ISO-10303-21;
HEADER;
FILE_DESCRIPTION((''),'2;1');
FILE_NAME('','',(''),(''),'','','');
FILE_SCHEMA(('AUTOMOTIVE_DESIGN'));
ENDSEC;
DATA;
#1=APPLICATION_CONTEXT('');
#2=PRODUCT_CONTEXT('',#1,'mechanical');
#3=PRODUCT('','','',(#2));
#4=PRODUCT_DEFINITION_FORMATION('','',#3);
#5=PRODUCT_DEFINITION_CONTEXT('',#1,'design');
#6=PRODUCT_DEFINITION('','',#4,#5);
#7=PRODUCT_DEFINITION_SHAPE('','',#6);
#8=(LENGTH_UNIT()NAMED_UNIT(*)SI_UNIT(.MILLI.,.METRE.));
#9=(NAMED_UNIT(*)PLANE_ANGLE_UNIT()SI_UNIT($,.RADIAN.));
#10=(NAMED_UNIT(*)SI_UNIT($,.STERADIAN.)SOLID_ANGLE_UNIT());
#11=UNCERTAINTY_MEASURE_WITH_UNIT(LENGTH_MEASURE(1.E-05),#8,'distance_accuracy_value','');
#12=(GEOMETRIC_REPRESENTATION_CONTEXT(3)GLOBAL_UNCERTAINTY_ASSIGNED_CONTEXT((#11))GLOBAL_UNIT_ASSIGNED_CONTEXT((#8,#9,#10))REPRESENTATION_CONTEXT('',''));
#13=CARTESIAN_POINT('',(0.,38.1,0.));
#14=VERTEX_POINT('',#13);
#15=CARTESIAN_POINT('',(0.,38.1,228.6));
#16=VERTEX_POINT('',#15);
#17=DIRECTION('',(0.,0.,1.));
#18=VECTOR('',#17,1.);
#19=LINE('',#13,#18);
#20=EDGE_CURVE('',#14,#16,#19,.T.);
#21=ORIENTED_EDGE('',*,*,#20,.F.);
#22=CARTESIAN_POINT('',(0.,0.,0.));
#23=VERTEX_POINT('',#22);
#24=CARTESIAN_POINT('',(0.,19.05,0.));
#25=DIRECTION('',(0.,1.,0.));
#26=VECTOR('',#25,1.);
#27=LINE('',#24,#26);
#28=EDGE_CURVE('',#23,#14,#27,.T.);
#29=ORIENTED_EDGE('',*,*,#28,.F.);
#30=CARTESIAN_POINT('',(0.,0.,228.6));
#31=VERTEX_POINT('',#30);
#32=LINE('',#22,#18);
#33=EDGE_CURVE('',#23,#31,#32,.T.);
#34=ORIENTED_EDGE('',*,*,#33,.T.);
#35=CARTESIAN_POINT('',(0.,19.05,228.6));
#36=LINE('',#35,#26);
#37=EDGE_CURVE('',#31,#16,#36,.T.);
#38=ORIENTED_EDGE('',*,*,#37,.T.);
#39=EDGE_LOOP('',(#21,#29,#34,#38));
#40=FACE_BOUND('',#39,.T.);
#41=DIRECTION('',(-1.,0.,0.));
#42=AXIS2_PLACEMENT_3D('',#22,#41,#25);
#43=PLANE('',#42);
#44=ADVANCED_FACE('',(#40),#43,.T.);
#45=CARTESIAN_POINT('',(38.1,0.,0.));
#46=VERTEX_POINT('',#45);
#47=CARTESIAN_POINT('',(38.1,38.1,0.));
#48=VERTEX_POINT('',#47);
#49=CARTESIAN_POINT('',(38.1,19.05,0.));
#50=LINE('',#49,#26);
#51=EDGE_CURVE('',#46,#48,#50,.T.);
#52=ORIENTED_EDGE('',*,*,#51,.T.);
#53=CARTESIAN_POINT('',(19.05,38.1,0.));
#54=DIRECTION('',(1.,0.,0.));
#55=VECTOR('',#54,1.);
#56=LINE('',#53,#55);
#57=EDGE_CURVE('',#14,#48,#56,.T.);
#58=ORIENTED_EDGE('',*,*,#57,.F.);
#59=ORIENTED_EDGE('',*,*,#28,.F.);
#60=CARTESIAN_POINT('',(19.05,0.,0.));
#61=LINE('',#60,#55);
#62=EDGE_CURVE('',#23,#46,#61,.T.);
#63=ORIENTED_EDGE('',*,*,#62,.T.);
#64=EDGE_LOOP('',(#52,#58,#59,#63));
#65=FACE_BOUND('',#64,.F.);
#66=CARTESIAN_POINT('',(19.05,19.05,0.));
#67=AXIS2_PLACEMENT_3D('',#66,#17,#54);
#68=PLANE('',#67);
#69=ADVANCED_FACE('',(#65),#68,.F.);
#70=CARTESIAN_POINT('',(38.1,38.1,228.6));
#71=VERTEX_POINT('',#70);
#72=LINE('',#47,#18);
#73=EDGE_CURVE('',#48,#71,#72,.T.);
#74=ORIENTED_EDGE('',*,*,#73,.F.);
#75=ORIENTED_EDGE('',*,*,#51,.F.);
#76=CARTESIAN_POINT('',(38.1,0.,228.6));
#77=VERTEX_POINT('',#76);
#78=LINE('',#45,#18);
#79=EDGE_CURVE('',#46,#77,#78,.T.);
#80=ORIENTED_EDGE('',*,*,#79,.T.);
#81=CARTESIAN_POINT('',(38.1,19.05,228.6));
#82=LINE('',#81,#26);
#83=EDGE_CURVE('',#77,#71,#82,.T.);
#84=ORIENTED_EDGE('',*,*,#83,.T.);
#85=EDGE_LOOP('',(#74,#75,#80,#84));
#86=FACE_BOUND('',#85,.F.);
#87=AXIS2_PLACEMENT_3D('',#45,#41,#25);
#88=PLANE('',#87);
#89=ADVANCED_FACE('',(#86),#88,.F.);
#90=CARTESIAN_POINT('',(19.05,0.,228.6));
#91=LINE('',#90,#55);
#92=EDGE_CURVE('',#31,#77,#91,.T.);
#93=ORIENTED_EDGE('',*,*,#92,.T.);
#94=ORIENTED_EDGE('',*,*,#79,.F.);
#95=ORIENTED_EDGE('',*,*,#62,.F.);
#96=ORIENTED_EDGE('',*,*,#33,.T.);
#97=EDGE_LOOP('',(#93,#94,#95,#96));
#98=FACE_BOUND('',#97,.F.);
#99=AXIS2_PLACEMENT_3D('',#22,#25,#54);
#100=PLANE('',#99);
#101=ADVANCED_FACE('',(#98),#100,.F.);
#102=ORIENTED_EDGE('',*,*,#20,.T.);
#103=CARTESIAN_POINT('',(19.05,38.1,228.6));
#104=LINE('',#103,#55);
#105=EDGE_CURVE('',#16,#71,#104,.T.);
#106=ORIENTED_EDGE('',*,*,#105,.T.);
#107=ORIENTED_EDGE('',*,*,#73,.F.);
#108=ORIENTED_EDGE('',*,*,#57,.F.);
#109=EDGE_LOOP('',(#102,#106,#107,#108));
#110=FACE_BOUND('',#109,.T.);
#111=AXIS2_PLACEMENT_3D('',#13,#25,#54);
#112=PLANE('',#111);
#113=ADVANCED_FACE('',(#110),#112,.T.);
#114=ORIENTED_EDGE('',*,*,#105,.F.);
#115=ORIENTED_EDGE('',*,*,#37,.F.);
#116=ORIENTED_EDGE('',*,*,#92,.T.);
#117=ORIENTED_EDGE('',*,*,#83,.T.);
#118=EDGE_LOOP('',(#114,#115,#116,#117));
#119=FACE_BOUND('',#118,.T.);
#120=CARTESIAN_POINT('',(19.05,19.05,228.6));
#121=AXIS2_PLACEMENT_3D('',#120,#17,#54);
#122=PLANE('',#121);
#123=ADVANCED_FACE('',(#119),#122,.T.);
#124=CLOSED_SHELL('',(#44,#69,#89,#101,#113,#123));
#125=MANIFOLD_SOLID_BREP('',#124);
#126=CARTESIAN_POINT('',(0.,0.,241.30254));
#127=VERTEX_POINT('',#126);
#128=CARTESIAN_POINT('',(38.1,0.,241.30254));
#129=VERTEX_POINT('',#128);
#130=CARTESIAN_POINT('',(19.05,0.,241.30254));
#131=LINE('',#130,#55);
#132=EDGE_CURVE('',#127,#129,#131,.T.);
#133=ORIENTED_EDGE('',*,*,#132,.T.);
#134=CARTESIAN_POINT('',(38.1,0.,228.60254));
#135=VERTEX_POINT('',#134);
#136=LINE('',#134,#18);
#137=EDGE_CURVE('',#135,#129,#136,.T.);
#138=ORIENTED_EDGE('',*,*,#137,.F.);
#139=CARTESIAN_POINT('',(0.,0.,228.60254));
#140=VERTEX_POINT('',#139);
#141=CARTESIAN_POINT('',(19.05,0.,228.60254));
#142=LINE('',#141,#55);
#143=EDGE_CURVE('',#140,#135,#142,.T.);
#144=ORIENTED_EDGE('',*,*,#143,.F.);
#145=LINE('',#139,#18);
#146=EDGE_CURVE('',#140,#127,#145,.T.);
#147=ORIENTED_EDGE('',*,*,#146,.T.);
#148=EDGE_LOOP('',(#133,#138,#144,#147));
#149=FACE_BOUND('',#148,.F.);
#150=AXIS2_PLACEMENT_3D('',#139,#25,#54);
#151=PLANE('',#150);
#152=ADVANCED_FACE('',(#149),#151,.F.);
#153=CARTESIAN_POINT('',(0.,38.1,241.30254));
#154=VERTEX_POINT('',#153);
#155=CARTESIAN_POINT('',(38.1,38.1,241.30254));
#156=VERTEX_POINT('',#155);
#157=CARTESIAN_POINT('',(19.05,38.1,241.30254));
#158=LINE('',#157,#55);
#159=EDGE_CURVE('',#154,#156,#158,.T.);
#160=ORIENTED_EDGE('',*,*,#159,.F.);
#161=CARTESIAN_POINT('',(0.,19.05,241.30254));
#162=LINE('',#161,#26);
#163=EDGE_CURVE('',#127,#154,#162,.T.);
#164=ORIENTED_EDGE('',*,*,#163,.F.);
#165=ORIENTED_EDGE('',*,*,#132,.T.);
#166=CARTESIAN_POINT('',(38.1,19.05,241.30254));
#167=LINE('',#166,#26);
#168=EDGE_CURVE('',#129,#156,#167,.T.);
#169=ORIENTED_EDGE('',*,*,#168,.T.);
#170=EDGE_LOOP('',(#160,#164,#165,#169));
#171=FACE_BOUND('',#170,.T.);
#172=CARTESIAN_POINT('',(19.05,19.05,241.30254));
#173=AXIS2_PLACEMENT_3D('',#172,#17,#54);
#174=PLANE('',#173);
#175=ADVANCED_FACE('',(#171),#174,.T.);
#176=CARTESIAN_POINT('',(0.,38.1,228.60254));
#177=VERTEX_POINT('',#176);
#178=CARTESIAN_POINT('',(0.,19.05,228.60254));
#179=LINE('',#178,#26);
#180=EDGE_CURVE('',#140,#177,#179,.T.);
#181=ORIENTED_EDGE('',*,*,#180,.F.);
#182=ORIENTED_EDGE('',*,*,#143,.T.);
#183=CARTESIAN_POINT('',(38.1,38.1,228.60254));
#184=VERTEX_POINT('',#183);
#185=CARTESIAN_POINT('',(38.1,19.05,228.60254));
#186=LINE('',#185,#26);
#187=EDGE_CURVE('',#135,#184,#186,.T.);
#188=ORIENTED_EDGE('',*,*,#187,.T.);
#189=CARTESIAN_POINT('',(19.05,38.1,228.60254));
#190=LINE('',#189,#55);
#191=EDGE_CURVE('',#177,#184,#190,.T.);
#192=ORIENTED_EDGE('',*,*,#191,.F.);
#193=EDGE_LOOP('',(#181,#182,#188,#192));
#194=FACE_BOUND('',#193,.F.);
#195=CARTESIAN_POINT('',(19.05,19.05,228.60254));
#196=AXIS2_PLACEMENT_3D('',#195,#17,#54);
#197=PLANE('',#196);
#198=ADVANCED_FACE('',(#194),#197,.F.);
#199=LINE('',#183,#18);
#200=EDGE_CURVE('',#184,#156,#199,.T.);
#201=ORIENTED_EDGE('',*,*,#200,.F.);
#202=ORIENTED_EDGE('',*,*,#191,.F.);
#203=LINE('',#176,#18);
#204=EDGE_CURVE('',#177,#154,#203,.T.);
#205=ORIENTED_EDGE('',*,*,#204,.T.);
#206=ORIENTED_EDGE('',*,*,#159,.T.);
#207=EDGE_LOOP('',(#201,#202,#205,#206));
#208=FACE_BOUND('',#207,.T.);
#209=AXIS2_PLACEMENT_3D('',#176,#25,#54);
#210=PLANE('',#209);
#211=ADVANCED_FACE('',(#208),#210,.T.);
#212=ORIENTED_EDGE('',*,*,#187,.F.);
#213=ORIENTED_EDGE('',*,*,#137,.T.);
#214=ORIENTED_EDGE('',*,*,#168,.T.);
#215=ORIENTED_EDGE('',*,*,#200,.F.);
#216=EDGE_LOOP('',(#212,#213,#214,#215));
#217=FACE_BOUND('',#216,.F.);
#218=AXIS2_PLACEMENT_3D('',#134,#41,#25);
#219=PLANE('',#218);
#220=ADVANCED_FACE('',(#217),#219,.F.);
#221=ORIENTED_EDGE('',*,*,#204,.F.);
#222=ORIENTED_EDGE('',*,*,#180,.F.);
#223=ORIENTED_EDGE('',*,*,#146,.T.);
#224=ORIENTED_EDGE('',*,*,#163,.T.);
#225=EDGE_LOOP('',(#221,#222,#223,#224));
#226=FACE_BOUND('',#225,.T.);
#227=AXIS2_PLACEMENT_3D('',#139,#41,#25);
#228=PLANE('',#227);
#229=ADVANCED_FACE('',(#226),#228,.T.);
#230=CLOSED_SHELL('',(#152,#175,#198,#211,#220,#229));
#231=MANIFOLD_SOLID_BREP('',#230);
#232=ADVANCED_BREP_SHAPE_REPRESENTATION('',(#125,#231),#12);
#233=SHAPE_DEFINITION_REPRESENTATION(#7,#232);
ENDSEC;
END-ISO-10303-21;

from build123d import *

# Parameters (mm, degrees)
F0_W     = 38.1
F0_H     = 38.1
F1_DEPTH = 228.6
F3_W     = 38.1
F3_H     = 38.1
F4_DEPTH = 12.7


with BuildPart() as f1:
    # F0 (on Top) → F1 (new body)
    with BuildSketch(Plane.XY):
        with Locations((19.05, 19.05)):
            Rectangle(F0_W, F0_H)
    extrude(amount=F1_DEPTH)


with BuildPart() as f4:
    # F3 (on offset) → F4 (new body)
    with BuildSketch(Plane.XY.offset(228.60254)):
        with Locations((19.05, 19.05)):
            Rectangle(F3_W, F3_H)
    extrude(amount=F4_DEPTH)


solid = Compound([f1.part, f4.part])
